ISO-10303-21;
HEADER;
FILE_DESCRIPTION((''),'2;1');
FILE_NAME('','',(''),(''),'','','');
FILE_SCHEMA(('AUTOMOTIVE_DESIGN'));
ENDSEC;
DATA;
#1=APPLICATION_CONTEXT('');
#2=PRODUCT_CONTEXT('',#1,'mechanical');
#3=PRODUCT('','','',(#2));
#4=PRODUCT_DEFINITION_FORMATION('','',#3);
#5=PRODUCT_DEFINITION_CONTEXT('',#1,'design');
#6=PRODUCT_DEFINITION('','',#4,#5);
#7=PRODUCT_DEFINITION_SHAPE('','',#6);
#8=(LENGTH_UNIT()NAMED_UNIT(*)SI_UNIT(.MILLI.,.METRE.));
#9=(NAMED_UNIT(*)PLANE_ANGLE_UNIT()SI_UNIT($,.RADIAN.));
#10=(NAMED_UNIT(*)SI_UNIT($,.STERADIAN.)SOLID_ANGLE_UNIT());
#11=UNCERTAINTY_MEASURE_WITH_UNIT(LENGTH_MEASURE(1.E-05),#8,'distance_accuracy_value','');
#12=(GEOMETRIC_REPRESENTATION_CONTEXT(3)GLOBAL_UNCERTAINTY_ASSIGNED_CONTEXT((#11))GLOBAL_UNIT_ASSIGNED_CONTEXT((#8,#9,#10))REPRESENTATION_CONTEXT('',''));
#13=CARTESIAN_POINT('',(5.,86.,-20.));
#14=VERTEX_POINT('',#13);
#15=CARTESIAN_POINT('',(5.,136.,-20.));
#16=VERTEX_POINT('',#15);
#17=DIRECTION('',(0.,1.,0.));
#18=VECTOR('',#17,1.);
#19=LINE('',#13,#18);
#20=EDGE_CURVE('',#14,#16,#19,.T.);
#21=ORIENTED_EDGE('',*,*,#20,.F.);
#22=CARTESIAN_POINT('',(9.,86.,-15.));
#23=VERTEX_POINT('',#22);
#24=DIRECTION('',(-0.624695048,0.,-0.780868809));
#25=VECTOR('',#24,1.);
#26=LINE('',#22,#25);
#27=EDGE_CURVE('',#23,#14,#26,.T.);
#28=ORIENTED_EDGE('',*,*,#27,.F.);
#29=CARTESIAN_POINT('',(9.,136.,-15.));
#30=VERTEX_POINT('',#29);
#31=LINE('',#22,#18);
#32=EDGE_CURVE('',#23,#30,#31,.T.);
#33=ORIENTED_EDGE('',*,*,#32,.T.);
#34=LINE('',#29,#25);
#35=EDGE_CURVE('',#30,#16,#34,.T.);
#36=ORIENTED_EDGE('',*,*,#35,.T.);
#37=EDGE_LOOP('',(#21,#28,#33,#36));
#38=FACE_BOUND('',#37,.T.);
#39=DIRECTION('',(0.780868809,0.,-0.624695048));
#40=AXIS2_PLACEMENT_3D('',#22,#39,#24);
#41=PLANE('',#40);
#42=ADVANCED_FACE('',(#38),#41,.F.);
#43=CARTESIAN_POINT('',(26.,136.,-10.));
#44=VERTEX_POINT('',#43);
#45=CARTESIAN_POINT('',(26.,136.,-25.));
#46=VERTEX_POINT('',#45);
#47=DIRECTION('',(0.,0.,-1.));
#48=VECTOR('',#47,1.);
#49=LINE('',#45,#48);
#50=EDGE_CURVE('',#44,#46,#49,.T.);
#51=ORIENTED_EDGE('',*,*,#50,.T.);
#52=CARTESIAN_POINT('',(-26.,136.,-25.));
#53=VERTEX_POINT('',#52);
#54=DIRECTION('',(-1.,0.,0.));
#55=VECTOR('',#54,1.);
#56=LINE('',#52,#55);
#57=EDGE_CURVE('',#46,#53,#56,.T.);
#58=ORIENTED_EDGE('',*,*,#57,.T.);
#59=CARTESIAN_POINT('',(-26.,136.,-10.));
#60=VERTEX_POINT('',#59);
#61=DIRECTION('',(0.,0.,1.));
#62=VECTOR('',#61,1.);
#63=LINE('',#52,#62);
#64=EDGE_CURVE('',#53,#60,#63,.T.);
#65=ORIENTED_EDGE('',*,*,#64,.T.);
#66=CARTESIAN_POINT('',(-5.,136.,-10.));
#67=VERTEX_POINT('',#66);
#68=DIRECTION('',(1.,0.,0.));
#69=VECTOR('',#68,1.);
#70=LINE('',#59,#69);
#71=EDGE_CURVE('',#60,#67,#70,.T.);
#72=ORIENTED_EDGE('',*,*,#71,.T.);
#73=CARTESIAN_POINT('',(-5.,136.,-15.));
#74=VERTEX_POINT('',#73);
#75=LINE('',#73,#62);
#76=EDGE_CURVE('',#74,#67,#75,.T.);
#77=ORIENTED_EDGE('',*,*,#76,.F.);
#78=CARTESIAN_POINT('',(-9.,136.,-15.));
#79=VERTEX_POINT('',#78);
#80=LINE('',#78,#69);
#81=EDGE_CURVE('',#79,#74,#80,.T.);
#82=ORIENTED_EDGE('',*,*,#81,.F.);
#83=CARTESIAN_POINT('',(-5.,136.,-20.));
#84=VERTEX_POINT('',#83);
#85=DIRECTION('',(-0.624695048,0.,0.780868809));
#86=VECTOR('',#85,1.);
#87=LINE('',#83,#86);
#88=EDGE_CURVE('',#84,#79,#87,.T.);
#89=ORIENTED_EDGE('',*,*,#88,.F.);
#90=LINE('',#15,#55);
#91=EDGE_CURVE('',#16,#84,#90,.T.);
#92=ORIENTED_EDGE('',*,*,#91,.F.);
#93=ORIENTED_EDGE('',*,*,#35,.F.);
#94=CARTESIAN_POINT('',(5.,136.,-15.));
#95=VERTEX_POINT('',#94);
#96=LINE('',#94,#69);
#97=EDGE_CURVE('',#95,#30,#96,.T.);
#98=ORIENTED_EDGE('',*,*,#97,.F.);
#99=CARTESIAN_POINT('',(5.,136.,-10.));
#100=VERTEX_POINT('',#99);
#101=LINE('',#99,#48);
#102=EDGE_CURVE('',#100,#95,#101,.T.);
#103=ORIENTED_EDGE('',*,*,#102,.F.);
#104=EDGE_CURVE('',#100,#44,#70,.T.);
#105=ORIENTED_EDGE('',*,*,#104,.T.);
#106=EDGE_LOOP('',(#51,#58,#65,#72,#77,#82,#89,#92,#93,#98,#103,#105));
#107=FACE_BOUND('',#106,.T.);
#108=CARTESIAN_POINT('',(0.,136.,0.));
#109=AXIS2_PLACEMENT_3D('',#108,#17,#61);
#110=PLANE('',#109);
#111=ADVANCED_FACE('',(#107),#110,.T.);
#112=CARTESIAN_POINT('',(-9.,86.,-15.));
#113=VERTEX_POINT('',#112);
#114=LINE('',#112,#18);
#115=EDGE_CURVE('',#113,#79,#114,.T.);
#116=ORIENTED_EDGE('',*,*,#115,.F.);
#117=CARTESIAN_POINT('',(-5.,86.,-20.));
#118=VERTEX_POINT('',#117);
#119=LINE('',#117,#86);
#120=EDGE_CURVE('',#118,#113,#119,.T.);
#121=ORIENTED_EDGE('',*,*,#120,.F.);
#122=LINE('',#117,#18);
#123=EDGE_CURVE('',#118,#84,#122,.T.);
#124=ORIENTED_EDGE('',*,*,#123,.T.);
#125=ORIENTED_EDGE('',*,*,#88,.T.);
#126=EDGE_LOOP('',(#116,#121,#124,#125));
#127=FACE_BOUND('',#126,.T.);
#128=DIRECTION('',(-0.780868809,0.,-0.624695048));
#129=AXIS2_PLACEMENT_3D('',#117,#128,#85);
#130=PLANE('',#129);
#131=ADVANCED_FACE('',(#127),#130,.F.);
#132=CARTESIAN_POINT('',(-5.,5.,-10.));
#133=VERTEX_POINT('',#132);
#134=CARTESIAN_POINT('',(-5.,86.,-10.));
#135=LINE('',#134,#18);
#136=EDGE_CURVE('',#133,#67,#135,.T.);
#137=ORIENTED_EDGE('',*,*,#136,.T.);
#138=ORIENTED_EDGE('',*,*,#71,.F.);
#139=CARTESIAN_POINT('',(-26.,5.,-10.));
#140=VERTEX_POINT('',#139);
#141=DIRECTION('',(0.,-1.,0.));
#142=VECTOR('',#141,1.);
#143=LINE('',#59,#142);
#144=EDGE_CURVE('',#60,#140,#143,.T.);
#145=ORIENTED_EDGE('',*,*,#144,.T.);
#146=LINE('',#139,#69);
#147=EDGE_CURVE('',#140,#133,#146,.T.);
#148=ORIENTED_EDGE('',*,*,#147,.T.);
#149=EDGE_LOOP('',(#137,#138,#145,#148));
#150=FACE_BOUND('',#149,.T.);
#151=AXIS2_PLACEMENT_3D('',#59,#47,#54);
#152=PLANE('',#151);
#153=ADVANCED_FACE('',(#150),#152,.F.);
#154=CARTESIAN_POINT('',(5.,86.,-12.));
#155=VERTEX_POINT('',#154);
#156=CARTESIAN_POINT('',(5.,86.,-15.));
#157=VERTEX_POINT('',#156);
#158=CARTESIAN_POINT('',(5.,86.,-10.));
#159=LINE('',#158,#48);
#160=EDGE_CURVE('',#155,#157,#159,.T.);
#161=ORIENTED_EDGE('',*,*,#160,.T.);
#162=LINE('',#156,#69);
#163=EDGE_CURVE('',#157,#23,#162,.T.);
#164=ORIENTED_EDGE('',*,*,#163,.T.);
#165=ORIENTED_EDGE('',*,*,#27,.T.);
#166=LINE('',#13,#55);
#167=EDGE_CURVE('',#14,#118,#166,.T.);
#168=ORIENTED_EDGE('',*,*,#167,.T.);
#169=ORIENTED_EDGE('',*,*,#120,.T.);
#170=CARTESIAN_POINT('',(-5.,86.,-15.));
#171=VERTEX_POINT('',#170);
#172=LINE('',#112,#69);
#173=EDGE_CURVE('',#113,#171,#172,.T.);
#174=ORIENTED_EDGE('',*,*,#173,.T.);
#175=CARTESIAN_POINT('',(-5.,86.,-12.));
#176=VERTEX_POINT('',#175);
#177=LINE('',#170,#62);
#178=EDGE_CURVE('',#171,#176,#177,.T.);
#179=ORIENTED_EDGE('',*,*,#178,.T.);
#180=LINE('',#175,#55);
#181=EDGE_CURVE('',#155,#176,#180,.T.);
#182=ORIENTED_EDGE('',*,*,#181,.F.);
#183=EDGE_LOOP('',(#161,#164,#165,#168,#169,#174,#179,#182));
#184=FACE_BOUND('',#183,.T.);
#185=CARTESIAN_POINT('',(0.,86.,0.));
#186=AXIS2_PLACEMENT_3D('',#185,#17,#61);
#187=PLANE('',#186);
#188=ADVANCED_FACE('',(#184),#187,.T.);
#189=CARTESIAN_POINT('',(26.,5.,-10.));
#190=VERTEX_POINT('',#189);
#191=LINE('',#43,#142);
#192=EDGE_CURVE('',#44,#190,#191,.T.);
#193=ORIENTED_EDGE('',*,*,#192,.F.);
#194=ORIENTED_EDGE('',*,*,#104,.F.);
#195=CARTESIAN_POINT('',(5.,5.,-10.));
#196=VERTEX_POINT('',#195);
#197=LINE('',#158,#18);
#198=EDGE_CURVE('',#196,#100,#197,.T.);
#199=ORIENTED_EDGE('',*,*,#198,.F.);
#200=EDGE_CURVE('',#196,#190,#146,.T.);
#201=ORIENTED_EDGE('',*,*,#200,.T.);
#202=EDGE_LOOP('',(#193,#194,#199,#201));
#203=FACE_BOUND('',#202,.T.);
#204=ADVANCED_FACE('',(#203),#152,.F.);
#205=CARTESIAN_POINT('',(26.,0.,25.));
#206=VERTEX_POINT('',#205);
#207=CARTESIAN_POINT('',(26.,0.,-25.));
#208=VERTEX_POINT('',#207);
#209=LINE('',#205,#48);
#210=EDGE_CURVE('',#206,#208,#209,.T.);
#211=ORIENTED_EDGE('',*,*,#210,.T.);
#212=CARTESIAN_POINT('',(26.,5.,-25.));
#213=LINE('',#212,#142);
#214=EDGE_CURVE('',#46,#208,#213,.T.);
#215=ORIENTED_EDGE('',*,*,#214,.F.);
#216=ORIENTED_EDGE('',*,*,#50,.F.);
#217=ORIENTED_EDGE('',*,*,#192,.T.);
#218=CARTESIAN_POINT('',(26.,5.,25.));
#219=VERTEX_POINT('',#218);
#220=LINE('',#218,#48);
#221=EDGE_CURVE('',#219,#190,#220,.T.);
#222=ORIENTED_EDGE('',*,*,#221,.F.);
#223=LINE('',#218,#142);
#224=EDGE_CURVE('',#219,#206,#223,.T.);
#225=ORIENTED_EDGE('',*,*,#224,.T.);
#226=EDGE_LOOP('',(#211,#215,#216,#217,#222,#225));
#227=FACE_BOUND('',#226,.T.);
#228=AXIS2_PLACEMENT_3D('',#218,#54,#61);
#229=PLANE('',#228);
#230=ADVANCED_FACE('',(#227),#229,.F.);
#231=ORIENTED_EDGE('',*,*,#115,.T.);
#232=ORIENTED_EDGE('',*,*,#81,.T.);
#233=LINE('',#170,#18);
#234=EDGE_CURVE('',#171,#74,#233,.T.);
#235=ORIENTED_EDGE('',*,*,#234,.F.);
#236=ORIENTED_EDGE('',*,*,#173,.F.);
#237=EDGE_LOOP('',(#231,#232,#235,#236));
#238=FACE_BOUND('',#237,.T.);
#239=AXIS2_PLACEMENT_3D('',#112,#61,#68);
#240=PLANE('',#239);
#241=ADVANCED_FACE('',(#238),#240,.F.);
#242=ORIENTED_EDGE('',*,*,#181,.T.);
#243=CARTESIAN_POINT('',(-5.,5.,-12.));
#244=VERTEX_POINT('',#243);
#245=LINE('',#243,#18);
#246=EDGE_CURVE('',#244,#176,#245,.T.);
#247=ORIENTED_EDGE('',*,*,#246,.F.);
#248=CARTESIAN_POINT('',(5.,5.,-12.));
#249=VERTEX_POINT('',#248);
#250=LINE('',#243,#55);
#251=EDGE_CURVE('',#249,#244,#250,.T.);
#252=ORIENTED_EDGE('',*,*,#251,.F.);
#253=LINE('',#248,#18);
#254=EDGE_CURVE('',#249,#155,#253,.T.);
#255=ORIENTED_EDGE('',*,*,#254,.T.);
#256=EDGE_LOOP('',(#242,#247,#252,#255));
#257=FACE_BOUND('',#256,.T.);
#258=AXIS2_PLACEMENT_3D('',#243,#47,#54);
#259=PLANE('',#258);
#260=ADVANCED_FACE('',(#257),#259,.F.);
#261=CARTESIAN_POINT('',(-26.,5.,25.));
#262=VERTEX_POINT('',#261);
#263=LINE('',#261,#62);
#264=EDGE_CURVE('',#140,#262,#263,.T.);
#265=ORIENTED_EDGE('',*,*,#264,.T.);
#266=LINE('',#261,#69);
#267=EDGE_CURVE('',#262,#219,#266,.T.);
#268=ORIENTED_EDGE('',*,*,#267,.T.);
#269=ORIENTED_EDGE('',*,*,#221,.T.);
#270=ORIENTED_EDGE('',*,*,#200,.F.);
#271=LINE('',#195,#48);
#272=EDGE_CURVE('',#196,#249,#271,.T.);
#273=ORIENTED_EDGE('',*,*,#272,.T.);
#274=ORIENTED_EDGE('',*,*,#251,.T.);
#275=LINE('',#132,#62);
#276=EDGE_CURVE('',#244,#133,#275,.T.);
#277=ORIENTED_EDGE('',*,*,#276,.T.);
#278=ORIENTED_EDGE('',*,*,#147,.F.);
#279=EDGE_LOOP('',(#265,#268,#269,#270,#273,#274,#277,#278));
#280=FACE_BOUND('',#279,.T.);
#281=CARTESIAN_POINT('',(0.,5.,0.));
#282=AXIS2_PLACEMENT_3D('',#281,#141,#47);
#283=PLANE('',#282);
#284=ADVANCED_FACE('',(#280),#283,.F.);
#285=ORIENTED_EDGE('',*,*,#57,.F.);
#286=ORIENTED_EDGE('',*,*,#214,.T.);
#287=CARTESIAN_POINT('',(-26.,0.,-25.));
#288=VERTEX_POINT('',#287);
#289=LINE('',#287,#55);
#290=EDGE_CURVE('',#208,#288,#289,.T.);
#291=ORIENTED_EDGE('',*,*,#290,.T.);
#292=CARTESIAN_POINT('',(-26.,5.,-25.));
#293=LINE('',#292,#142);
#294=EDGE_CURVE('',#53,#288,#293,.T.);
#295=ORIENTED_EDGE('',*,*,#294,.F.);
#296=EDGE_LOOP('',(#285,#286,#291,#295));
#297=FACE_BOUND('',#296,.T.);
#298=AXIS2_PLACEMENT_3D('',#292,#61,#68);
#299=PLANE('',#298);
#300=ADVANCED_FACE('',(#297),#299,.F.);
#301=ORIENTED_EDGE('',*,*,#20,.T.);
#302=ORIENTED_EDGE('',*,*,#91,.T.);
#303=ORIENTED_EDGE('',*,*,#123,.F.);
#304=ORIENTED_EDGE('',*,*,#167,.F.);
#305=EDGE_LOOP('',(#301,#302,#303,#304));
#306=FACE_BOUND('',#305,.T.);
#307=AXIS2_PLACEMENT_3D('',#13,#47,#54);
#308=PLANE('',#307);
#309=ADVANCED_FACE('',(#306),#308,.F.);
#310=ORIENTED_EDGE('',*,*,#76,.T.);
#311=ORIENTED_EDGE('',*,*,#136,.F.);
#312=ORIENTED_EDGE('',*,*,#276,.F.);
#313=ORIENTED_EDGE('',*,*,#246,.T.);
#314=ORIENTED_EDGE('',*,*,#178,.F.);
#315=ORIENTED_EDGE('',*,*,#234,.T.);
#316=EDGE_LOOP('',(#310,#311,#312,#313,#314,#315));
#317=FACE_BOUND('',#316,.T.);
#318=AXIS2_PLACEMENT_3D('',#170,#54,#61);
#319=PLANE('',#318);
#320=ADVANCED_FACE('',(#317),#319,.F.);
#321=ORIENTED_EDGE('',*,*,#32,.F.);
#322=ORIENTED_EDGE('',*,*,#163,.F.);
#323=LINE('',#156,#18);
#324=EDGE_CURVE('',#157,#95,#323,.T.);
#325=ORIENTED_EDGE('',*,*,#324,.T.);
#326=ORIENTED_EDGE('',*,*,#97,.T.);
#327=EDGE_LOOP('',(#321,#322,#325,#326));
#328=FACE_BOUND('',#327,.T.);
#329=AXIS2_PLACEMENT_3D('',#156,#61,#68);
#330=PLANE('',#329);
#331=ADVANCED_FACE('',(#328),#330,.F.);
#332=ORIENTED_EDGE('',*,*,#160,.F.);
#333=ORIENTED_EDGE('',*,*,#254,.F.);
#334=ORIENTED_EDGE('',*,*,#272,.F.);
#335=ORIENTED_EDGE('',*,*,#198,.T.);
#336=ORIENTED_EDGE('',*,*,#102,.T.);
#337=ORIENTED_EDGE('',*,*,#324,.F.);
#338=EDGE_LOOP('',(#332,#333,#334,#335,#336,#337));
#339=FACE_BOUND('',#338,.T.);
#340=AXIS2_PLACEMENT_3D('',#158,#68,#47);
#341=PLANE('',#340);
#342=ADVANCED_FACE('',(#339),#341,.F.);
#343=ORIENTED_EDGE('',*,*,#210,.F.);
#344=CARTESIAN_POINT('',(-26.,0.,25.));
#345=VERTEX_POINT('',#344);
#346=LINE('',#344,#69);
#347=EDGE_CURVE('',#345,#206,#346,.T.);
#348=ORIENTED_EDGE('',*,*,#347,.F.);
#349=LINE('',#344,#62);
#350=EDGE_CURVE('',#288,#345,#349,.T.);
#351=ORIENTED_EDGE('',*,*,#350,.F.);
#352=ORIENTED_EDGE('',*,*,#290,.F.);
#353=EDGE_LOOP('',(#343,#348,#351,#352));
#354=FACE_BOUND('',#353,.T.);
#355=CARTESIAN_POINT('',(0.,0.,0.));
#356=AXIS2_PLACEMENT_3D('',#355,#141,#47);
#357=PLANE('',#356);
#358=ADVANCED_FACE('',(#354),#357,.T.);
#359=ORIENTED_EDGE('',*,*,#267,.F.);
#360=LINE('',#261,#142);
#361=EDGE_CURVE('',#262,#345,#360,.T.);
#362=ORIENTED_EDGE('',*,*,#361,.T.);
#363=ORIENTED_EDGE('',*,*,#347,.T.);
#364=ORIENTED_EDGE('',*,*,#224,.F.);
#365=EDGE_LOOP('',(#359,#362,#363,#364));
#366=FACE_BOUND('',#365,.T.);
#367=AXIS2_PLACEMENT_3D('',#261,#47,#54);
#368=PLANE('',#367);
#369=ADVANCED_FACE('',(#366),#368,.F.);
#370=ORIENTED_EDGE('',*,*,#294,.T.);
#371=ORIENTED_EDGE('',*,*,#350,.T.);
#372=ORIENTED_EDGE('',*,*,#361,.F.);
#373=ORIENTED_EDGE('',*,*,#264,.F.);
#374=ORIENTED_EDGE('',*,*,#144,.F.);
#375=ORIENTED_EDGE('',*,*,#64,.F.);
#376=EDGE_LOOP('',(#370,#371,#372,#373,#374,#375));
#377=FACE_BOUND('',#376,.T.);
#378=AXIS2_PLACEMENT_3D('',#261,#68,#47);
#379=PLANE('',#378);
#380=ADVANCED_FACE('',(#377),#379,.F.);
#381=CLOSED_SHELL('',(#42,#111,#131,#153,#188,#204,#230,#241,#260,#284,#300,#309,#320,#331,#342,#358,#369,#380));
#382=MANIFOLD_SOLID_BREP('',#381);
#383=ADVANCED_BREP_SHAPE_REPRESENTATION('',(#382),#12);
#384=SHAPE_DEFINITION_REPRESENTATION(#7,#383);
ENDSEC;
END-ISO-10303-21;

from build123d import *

# Parameters (mm, degrees)
SKETCH1_W           = 52
SKETCH1_H           = 50
BOSS_EXTRUDE1_DEPTH = 5
SKETCH2_W           = 52
SKETCH2_H           = 15
BOSS_EXTRUDE2_DEPTH = 131
CUT_EXTRUDE1_DEPTH  = 50
SKETCH4_W           = 10
SKETCH4_H           = 2
CUT_EXTRUDE2_DEPTH  = 81


with BuildPart() as part:
    # Sketch1 → Boss-Extrude1 (new body)
    with BuildSketch(Plane(origin=(0, 0, 0), x_dir=(1, 0, 0), z_dir=(0, 1, 0))):
        Rectangle(SKETCH1_W, SKETCH1_H)
    extrude(amount=BOSS_EXTRUDE1_DEPTH)

    # Sketch2 → Boss-Extrude2 (add)
    with BuildSketch(Plane(origin=(0, 5, 0), x_dir=(1, 0, 0), z_dir=(0, 1, 0))):
        with Locations((0, 17.5)):
            Rectangle(SKETCH2_W, SKETCH2_H)
    extrude(amount=BOSS_EXTRUDE2_DEPTH)

    # Sketch3 → Cut-Extrude1 (cut)
    with BuildSketch(Plane(origin=(0, 136, 0), x_dir=(1, 0, 0), z_dir=(0, 1, 0))):
        Polygon((-5, 10), (5, 10), (5, 15), (9, 15), (5, 20), (-5, 20), (-9, 15), (-5, 15), align=None)
    extrude(amount=-CUT_EXTRUDE1_DEPTH, mode=Mode.SUBTRACT)

    # Sketch4 → Cut-Extrude2 (cut)
    with BuildSketch(Plane(origin=(0, 86, 0), x_dir=(1, 0, 0), z_dir=(0, 1, 0))):
        with Locations((0, 11)):
            Rectangle(SKETCH4_W, SKETCH4_H)
    extrude(amount=-CUT_EXTRUDE2_DEPTH, mode=Mode.SUBTRACT)


solid = part.part
